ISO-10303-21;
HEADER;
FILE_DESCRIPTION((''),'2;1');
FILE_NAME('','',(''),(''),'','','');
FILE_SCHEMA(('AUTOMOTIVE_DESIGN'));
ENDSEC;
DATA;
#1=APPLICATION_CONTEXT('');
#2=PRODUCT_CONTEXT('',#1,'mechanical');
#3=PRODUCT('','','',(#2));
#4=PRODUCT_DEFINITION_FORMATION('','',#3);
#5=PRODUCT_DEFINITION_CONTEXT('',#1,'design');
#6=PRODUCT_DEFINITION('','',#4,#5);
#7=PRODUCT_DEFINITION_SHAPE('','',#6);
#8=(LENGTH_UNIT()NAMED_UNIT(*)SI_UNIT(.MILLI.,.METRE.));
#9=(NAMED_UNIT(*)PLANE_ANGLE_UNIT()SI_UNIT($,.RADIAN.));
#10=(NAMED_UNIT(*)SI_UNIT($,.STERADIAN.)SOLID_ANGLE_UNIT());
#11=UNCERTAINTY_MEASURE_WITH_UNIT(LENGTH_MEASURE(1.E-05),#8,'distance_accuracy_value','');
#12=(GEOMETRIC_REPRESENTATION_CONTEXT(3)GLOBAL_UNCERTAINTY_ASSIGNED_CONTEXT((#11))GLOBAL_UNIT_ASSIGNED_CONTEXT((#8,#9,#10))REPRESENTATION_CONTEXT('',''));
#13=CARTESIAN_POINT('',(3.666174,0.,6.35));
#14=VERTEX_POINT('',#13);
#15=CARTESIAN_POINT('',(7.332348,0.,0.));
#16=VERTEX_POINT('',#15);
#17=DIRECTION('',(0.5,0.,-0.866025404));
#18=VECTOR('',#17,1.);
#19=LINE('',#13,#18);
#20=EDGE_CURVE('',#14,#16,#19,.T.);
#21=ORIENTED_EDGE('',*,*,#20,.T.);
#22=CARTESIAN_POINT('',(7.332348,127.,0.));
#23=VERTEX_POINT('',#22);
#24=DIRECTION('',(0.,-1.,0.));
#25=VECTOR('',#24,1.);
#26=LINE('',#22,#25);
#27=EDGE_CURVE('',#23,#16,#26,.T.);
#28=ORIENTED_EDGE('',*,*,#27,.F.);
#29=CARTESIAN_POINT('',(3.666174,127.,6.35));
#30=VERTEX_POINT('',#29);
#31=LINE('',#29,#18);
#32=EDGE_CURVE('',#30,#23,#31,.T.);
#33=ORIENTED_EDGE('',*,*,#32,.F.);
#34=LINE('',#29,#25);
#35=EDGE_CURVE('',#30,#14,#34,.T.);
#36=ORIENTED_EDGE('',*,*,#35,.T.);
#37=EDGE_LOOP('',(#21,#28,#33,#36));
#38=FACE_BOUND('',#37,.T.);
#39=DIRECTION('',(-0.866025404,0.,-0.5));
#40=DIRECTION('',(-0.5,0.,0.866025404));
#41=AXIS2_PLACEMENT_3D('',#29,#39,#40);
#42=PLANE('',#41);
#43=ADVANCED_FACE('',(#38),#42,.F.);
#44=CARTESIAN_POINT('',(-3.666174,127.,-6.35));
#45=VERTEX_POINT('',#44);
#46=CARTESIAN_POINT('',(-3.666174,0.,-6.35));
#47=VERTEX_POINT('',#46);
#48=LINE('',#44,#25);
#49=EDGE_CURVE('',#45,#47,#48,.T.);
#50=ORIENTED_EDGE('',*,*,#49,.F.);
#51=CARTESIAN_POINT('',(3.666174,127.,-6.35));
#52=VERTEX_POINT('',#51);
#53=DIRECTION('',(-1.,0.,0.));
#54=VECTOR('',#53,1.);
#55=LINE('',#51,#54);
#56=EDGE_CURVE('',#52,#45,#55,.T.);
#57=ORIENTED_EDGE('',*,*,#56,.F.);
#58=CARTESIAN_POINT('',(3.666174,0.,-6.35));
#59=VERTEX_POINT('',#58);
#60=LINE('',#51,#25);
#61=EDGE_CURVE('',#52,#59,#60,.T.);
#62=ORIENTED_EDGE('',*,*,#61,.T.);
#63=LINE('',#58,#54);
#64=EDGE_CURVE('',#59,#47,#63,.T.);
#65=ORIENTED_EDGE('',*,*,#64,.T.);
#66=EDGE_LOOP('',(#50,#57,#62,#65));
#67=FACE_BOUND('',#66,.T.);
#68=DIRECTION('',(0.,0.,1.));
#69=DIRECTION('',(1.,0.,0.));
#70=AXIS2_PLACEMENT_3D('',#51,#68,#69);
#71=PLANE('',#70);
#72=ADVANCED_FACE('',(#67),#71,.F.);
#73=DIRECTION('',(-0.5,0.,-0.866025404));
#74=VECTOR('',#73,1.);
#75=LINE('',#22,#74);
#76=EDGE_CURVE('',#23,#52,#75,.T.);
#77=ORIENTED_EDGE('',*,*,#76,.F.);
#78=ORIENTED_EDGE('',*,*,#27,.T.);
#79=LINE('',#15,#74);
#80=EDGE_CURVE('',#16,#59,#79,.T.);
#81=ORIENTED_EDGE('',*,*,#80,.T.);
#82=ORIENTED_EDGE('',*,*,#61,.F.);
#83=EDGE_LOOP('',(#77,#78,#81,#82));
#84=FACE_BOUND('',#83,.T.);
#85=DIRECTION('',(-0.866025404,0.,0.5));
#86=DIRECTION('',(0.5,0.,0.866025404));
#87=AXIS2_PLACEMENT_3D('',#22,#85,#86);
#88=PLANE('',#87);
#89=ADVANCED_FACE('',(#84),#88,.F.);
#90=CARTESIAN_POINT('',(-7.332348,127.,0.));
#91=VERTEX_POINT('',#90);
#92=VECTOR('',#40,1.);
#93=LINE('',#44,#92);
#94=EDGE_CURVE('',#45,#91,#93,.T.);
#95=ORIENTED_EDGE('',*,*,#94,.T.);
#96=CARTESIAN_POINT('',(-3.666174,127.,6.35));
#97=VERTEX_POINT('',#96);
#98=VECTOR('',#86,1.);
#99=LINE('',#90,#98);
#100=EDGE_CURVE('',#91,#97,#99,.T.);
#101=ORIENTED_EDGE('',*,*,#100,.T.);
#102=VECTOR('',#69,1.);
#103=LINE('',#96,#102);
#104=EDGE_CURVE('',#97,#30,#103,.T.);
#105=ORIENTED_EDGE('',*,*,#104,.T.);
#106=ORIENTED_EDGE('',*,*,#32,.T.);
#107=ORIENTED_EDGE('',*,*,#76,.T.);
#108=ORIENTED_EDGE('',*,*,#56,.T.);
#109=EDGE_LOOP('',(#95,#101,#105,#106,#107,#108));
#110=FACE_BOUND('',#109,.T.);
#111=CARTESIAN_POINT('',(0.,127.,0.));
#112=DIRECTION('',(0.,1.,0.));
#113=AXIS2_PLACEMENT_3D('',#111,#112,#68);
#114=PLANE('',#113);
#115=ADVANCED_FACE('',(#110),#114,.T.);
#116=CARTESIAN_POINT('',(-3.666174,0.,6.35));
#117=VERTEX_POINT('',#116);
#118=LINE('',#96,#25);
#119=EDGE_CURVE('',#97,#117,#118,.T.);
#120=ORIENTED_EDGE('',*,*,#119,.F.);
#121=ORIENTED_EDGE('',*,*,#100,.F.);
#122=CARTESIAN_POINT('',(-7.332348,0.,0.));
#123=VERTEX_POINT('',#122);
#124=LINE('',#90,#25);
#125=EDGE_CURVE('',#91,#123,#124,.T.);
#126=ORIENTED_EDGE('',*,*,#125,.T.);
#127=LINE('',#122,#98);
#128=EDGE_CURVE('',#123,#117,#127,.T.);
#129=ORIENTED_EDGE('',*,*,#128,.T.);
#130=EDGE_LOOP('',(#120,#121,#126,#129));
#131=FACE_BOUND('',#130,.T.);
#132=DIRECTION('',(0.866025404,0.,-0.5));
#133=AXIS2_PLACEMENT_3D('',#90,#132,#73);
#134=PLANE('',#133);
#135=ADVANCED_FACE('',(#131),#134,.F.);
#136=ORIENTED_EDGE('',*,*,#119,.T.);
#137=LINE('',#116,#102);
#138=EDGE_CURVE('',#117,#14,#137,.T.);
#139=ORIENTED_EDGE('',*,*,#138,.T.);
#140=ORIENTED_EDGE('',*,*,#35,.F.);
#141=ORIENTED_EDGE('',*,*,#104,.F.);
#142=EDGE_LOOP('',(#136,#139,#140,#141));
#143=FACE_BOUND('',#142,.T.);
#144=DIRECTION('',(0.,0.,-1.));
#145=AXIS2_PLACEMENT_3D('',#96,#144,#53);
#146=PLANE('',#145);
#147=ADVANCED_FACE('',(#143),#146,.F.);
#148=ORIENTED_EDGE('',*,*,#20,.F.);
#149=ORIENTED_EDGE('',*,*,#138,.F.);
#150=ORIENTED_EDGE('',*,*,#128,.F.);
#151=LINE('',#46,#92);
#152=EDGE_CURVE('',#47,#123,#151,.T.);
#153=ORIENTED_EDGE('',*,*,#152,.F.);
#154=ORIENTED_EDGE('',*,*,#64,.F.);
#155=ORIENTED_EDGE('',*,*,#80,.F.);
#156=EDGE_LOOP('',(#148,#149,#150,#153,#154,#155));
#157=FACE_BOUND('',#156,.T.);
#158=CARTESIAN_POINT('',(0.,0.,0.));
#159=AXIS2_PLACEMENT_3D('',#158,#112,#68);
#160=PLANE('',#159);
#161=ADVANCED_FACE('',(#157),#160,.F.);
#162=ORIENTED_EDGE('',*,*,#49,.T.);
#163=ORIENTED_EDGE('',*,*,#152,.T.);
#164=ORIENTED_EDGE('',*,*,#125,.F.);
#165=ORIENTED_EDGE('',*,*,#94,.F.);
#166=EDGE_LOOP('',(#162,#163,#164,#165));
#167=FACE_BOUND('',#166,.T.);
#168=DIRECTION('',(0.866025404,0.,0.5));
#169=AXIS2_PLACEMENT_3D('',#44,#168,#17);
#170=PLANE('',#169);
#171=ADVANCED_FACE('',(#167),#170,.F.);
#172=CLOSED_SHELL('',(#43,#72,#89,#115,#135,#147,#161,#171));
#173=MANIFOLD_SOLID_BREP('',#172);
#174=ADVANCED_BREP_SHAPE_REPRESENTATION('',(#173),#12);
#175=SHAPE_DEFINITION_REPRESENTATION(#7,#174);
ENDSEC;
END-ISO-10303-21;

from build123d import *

# Parameters (mm, degrees)
BOSS_EXTRUDE1_DEPTH = 127


with BuildPart() as part:
    # Sketch1 → Boss-Extrude1 (new body)
    with BuildSketch(Plane(origin=(0, 0, 0), x_dir=(1, 0, 0), z_dir=(0, 1, 0))):
        Polygon((3.666174209, 6.35), (-3.666174209, 6.35), (-7.332348419, 0), (-3.666174209, -6.35), (3.666174209, -6.35), (7.332348419, 0), align=None)
    extrude(amount=BOSS_EXTRUDE1_DEPTH)


solid = part.part
